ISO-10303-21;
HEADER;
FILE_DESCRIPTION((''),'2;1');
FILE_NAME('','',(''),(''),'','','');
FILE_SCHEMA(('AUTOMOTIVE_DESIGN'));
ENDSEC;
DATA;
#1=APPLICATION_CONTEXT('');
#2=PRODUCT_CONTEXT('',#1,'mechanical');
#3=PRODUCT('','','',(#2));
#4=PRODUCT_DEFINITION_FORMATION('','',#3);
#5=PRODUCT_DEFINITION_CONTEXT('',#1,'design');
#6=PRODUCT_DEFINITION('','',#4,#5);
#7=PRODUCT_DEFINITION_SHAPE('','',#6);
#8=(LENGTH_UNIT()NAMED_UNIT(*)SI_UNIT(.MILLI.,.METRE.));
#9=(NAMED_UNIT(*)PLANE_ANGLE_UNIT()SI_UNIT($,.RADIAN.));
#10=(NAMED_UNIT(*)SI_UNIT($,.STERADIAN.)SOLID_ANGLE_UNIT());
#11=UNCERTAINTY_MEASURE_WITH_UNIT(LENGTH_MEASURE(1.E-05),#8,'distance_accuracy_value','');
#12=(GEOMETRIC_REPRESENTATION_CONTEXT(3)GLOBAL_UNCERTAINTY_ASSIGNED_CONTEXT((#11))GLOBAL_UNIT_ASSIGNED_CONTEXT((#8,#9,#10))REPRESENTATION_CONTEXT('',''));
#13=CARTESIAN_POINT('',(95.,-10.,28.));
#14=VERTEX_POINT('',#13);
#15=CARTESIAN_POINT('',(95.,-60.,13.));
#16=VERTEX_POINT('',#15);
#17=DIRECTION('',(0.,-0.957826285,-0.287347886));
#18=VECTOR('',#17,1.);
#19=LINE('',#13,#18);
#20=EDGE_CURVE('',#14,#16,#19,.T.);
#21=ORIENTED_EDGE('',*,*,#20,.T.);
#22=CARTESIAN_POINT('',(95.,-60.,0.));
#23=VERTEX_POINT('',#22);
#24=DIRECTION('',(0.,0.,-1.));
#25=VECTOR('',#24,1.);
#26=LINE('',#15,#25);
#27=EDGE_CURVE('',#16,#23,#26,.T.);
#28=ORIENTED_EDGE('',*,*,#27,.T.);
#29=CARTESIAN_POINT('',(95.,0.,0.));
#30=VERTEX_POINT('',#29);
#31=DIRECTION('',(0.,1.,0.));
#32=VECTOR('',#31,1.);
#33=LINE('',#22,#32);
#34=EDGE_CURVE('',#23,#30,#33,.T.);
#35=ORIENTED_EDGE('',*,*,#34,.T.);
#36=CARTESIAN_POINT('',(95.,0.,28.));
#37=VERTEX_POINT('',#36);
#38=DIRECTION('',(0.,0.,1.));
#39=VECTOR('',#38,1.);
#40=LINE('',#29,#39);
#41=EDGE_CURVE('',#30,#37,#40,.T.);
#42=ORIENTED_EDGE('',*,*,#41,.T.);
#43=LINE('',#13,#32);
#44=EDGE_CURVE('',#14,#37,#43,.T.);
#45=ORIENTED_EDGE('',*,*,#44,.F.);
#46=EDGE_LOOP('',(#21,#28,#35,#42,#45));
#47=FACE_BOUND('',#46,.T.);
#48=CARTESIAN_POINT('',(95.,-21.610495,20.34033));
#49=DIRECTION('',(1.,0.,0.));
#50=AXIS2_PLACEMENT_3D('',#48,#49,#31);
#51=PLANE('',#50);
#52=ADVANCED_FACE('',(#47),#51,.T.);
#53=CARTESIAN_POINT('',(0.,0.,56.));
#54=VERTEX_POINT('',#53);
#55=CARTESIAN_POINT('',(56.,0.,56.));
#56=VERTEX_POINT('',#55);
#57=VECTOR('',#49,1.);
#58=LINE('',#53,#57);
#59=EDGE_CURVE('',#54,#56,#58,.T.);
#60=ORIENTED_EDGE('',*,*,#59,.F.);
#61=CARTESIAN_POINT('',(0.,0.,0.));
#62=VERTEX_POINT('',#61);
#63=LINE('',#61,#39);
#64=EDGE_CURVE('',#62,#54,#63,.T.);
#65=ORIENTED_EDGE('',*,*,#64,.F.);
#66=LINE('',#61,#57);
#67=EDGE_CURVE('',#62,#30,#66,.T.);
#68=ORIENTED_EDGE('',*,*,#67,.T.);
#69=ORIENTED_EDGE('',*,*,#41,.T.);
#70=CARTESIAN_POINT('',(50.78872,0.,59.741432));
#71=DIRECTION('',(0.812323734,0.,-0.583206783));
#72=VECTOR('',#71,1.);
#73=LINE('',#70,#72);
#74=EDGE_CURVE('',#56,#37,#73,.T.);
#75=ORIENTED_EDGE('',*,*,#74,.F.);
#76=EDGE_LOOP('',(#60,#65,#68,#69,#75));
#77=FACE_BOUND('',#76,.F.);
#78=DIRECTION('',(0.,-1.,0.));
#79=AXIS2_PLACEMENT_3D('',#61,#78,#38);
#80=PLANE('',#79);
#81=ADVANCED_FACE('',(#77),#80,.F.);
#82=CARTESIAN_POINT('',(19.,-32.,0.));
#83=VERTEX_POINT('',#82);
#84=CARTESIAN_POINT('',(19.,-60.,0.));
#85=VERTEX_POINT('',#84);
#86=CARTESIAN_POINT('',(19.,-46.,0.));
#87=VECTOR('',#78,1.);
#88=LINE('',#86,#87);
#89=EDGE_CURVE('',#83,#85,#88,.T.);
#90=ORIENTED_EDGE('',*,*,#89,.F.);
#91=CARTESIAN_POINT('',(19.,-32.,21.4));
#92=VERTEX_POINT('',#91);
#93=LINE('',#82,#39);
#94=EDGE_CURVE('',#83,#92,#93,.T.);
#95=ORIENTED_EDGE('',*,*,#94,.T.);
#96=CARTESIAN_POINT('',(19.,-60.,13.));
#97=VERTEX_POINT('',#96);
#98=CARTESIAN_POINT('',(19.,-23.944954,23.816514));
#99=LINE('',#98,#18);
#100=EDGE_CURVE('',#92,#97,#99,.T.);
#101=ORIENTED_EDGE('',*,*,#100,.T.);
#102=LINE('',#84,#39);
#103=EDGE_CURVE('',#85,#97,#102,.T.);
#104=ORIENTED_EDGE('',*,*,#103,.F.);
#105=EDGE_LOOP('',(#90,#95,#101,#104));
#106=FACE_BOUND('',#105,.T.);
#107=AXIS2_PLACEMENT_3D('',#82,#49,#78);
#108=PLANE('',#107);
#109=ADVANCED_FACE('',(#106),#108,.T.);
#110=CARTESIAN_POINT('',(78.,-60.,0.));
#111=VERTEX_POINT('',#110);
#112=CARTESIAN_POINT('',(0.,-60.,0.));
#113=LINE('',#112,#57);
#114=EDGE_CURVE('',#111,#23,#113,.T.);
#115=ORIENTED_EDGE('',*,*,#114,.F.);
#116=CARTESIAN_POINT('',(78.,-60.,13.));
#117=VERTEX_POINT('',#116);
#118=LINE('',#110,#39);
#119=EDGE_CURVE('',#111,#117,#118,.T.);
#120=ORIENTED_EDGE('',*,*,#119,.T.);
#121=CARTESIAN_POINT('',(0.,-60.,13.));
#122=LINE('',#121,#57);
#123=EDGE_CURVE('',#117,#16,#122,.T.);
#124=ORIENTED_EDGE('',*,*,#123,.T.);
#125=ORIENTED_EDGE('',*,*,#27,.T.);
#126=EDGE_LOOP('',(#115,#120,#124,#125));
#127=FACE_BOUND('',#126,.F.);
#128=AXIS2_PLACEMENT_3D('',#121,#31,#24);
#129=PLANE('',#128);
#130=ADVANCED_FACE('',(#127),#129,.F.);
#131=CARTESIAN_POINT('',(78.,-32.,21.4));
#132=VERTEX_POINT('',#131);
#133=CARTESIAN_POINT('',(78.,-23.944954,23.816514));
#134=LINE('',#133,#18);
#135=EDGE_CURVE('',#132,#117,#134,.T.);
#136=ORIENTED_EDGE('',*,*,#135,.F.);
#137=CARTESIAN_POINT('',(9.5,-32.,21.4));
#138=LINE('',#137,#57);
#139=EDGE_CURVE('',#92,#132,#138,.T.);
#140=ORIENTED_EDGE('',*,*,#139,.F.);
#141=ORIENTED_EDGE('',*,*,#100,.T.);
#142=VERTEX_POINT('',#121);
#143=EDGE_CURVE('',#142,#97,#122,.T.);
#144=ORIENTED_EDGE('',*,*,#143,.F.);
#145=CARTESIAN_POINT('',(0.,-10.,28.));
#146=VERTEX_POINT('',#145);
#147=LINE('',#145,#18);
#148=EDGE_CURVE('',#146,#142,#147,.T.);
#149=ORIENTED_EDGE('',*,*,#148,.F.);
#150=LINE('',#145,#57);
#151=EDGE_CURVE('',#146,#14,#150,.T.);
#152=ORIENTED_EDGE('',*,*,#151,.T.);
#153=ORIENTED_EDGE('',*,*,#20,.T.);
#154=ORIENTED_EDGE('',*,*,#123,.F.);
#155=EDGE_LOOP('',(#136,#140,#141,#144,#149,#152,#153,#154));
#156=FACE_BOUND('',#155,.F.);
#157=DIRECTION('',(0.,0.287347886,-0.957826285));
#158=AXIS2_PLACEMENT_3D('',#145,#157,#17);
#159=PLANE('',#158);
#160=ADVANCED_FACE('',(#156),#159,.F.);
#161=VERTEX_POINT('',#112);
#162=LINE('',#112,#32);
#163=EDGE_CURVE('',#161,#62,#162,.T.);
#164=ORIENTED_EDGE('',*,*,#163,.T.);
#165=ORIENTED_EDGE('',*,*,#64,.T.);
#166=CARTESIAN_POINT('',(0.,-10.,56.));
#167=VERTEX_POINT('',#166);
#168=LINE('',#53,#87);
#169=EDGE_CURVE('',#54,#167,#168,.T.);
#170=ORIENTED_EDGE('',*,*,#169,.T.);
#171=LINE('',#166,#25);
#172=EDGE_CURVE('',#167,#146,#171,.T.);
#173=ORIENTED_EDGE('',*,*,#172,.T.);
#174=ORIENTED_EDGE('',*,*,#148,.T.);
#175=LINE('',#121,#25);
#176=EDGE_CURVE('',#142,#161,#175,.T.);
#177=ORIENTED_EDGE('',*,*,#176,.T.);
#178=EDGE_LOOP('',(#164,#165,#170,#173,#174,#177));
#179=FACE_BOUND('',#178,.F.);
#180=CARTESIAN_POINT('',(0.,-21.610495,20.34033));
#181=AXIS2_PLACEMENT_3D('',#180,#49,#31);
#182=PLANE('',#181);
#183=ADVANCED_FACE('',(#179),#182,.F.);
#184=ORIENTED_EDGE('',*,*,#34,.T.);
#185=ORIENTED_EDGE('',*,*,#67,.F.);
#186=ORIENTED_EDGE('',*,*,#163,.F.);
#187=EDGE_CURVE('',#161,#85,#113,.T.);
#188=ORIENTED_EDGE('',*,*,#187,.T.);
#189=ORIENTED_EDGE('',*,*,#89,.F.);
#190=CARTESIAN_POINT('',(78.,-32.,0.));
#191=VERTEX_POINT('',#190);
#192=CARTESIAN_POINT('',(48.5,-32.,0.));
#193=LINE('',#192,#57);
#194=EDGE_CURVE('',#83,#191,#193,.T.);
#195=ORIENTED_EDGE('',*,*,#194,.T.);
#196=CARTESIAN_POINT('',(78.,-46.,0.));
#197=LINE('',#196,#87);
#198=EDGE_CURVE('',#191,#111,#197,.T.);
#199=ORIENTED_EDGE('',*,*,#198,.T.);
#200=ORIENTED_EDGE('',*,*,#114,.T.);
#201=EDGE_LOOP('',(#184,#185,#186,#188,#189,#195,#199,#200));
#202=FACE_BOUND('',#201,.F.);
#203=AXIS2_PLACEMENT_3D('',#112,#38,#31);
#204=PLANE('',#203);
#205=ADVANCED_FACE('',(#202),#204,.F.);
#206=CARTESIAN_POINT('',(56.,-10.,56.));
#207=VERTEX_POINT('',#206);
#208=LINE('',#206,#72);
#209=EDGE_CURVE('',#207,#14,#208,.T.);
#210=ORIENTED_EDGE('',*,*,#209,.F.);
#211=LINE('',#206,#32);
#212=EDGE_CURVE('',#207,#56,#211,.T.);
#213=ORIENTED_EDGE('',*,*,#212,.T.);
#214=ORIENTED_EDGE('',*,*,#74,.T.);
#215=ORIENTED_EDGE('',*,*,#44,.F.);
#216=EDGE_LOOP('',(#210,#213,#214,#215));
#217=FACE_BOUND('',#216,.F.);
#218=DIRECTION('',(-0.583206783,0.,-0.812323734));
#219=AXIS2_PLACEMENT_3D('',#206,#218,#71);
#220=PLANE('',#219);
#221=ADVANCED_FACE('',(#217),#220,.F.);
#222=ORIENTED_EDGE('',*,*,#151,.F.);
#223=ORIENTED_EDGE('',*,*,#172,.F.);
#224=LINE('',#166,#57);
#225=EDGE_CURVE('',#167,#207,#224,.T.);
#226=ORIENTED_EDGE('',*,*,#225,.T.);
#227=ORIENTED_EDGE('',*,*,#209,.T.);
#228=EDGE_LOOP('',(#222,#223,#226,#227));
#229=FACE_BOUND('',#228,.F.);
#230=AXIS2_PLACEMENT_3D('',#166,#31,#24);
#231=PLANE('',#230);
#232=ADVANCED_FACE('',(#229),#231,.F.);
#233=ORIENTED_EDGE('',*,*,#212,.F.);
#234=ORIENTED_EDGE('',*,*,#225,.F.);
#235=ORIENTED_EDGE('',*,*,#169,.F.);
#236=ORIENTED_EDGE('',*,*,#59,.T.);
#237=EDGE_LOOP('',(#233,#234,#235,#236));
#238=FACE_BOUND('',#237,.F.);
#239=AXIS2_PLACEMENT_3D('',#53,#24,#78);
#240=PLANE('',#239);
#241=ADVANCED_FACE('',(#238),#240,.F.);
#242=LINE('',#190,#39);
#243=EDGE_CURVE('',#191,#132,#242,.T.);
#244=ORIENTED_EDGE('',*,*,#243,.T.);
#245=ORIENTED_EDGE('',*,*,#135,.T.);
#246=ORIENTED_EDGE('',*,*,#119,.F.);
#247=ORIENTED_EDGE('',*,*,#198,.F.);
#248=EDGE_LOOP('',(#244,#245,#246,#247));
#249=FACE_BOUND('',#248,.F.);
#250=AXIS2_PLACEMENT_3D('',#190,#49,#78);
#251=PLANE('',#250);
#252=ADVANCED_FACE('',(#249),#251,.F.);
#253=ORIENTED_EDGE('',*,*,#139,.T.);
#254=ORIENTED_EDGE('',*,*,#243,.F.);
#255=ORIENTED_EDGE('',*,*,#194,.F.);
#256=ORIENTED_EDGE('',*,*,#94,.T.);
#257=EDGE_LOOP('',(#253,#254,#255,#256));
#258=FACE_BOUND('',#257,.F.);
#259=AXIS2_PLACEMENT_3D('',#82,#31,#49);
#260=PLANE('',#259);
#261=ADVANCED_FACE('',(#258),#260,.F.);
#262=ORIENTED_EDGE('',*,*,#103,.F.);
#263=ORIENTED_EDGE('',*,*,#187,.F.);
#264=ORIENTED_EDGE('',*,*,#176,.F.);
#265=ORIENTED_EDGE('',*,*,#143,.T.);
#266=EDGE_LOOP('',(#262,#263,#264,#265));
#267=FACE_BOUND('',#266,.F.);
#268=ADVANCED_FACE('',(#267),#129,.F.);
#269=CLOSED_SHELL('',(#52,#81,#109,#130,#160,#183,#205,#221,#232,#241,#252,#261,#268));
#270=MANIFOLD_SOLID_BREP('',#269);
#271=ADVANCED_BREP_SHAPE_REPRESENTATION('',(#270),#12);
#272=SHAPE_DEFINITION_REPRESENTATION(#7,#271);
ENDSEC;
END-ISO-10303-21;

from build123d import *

# Parameters (mm, degrees)
F1_DEPTH = 95
F3_DEPTH = 10.001
F4_W     = 59
F4_H     = 28
F5_DEPTH = 41.8


with BuildPart() as f1:
    # F0 (on Right) → F1 (new body)
    with BuildSketch(Plane.YZ):
        Polygon((-60, 0), (0, 0), (0, 56), (-10, 56), (-10, 28), (-60, 13), align=None)
    extrude(amount=F1_DEPTH)

    # F2 (on face) → F3 (cut, through all)
    with BuildSketch(Plane.XZ.offset(10)):
        Polygon((95, 56), (56, 56), (95, 28), align=None)
    extrude(amount=-F3_DEPTH, mode=Mode.SUBTRACT)

    # F4 (on face) → F5 (cut)
    with BuildSketch(Plane(origin=(0, 0, 0), x_dir=(1, 0, 0), z_dir=(0, 0, -1))):
        with Locations((48.5, 46)):
            Rectangle(F4_W, F4_H)
    extrude(amount=-F5_DEPTH, mode=Mode.SUBTRACT)


solid = f1.part
